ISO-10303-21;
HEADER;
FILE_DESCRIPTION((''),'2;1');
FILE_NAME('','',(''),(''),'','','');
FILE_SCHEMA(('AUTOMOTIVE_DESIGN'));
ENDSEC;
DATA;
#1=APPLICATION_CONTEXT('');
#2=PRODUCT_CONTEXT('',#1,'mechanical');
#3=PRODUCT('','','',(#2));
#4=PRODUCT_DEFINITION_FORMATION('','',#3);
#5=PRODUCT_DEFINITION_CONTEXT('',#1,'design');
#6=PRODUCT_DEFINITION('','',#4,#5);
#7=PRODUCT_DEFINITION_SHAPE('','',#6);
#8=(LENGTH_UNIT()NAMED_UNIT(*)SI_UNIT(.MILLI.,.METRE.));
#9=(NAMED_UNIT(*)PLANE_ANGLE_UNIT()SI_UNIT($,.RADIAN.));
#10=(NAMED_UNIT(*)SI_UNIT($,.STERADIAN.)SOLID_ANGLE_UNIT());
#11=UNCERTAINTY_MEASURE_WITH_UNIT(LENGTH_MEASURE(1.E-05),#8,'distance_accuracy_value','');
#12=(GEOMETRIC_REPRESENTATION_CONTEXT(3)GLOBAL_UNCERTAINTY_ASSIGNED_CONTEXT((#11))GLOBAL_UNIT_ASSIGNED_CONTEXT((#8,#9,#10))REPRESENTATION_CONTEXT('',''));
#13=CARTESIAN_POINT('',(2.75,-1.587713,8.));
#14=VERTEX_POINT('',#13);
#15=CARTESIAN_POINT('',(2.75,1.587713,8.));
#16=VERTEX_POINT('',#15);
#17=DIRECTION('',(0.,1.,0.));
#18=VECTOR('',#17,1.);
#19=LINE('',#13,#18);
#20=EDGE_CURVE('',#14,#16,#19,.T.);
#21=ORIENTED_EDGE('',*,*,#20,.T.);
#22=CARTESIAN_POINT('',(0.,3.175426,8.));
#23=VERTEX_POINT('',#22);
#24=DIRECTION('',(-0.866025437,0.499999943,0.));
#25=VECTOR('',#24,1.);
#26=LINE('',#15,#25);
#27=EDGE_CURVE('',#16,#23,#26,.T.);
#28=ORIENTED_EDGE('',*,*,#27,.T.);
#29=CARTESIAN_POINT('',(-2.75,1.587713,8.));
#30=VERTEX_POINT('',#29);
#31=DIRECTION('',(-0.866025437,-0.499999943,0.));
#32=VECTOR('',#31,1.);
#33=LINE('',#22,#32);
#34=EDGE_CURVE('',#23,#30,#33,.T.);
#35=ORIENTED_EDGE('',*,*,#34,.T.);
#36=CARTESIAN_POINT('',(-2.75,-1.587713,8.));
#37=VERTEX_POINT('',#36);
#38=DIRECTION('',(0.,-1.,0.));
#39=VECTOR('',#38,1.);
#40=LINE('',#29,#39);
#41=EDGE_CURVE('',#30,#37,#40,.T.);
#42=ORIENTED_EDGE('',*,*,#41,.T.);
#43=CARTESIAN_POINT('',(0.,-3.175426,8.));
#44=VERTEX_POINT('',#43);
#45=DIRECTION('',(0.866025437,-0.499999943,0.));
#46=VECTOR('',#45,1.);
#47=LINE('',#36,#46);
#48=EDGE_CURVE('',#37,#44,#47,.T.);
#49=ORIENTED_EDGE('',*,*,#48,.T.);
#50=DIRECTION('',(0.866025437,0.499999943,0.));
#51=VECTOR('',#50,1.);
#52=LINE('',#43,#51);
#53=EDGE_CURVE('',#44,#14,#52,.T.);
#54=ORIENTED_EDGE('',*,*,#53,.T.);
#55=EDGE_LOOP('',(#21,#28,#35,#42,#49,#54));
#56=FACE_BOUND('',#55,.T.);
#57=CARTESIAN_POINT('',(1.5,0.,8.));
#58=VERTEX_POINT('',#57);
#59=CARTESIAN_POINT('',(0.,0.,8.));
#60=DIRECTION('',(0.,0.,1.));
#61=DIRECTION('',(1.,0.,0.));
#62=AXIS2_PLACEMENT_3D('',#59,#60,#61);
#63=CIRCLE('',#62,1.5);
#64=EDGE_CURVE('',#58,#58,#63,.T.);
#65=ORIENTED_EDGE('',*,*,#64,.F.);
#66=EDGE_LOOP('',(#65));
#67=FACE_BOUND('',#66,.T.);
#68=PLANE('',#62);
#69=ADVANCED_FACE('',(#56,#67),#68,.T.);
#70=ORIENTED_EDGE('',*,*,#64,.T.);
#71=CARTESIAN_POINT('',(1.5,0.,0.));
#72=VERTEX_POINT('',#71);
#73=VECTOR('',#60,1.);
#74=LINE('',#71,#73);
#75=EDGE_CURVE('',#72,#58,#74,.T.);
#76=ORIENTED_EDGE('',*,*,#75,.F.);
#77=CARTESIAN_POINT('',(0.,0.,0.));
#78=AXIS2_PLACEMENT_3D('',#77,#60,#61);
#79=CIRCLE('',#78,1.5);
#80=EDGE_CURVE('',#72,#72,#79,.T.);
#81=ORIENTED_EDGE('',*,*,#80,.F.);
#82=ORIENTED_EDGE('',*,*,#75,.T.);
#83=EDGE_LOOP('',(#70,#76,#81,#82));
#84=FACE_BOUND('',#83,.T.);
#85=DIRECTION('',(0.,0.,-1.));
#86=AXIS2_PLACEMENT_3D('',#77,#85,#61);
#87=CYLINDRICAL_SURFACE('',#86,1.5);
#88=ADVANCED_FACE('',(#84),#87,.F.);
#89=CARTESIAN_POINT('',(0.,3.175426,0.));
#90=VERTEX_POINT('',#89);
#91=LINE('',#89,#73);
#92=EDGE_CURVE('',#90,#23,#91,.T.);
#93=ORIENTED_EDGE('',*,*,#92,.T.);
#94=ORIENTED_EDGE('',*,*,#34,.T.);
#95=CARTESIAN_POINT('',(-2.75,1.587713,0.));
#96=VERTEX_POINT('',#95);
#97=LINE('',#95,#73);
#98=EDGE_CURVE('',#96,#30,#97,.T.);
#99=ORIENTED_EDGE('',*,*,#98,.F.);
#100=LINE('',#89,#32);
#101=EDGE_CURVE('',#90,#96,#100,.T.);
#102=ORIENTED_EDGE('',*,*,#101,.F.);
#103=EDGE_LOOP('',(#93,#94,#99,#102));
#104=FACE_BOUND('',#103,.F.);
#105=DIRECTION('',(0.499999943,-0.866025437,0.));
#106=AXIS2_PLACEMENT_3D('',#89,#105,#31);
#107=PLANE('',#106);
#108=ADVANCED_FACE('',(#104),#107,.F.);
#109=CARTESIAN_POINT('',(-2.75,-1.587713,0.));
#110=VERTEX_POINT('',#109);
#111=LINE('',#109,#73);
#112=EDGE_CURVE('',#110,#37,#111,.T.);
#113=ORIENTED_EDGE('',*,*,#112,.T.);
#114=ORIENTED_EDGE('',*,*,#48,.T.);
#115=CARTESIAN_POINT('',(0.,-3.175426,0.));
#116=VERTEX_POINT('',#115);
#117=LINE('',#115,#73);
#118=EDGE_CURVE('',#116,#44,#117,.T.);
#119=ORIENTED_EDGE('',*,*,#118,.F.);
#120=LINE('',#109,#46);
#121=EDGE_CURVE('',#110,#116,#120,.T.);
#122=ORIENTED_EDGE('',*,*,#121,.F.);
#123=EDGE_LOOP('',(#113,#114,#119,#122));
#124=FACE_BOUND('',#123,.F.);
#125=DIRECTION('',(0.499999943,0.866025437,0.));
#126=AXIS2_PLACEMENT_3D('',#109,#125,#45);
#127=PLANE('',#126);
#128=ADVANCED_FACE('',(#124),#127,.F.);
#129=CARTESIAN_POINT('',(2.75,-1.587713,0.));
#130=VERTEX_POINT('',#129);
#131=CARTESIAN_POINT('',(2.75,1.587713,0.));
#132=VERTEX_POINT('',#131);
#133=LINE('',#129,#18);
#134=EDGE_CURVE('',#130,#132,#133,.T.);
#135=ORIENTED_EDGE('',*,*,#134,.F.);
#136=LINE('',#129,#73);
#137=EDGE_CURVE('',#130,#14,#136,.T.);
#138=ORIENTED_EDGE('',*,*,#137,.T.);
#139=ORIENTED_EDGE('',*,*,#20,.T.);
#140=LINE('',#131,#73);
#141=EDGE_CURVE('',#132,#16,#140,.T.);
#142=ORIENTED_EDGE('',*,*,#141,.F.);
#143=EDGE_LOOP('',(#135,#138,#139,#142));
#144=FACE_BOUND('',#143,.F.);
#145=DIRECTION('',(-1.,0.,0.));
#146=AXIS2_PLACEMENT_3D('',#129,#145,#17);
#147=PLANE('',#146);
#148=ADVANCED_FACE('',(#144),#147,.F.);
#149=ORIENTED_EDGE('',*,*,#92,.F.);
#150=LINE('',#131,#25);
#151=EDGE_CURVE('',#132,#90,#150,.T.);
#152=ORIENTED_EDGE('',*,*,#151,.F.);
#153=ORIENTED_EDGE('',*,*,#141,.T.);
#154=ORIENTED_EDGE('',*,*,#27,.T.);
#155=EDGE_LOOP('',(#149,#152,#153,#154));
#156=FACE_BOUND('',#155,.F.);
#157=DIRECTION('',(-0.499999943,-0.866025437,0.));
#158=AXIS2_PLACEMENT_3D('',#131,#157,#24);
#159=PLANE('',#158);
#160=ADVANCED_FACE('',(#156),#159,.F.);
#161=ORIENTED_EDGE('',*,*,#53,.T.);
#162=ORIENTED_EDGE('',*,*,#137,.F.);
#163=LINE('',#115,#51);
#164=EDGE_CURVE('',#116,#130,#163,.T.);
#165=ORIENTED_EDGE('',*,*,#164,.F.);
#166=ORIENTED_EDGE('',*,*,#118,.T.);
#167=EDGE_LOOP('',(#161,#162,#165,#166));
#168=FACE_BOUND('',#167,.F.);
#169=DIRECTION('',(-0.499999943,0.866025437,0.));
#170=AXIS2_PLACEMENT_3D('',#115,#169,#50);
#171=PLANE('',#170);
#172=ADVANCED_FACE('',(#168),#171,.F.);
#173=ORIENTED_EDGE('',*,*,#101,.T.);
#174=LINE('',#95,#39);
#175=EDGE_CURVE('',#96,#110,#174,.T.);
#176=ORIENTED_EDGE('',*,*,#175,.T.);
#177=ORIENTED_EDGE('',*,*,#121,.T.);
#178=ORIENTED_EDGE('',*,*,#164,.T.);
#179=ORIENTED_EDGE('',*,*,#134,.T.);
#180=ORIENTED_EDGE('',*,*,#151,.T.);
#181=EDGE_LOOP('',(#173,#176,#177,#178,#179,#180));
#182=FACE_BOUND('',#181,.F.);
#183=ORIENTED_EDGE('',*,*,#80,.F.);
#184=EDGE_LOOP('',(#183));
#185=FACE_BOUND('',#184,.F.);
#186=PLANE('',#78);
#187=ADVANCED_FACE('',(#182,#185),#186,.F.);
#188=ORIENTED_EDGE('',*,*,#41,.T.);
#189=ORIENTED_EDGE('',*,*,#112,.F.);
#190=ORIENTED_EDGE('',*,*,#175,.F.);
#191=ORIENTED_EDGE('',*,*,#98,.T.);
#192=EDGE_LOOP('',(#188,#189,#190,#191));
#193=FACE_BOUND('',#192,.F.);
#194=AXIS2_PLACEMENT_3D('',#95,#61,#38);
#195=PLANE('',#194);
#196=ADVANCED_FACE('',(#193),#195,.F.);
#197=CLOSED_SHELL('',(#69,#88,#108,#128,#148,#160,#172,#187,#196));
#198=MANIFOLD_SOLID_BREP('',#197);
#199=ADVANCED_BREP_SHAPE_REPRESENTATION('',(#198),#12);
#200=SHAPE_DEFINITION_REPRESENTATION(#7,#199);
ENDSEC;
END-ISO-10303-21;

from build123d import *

# Parameters (mm, degrees)
SKETCH_R  = 1.5
PAD_DEPTH = 8


with BuildPart() as part:
    # Sketch → Pad (new body)
    with BuildSketch(Plane.XY):
        Polygon((0, 3.175426), (-2.75, 1.587713), (-2.75, -1.587713), (0, -3.175426), (2.75, -1.587713), (2.75, 1.587713), align=None)
        Circle(SKETCH_R, mode=Mode.SUBTRACT)
    extrude(amount=PAD_DEPTH)


solid = part.part
